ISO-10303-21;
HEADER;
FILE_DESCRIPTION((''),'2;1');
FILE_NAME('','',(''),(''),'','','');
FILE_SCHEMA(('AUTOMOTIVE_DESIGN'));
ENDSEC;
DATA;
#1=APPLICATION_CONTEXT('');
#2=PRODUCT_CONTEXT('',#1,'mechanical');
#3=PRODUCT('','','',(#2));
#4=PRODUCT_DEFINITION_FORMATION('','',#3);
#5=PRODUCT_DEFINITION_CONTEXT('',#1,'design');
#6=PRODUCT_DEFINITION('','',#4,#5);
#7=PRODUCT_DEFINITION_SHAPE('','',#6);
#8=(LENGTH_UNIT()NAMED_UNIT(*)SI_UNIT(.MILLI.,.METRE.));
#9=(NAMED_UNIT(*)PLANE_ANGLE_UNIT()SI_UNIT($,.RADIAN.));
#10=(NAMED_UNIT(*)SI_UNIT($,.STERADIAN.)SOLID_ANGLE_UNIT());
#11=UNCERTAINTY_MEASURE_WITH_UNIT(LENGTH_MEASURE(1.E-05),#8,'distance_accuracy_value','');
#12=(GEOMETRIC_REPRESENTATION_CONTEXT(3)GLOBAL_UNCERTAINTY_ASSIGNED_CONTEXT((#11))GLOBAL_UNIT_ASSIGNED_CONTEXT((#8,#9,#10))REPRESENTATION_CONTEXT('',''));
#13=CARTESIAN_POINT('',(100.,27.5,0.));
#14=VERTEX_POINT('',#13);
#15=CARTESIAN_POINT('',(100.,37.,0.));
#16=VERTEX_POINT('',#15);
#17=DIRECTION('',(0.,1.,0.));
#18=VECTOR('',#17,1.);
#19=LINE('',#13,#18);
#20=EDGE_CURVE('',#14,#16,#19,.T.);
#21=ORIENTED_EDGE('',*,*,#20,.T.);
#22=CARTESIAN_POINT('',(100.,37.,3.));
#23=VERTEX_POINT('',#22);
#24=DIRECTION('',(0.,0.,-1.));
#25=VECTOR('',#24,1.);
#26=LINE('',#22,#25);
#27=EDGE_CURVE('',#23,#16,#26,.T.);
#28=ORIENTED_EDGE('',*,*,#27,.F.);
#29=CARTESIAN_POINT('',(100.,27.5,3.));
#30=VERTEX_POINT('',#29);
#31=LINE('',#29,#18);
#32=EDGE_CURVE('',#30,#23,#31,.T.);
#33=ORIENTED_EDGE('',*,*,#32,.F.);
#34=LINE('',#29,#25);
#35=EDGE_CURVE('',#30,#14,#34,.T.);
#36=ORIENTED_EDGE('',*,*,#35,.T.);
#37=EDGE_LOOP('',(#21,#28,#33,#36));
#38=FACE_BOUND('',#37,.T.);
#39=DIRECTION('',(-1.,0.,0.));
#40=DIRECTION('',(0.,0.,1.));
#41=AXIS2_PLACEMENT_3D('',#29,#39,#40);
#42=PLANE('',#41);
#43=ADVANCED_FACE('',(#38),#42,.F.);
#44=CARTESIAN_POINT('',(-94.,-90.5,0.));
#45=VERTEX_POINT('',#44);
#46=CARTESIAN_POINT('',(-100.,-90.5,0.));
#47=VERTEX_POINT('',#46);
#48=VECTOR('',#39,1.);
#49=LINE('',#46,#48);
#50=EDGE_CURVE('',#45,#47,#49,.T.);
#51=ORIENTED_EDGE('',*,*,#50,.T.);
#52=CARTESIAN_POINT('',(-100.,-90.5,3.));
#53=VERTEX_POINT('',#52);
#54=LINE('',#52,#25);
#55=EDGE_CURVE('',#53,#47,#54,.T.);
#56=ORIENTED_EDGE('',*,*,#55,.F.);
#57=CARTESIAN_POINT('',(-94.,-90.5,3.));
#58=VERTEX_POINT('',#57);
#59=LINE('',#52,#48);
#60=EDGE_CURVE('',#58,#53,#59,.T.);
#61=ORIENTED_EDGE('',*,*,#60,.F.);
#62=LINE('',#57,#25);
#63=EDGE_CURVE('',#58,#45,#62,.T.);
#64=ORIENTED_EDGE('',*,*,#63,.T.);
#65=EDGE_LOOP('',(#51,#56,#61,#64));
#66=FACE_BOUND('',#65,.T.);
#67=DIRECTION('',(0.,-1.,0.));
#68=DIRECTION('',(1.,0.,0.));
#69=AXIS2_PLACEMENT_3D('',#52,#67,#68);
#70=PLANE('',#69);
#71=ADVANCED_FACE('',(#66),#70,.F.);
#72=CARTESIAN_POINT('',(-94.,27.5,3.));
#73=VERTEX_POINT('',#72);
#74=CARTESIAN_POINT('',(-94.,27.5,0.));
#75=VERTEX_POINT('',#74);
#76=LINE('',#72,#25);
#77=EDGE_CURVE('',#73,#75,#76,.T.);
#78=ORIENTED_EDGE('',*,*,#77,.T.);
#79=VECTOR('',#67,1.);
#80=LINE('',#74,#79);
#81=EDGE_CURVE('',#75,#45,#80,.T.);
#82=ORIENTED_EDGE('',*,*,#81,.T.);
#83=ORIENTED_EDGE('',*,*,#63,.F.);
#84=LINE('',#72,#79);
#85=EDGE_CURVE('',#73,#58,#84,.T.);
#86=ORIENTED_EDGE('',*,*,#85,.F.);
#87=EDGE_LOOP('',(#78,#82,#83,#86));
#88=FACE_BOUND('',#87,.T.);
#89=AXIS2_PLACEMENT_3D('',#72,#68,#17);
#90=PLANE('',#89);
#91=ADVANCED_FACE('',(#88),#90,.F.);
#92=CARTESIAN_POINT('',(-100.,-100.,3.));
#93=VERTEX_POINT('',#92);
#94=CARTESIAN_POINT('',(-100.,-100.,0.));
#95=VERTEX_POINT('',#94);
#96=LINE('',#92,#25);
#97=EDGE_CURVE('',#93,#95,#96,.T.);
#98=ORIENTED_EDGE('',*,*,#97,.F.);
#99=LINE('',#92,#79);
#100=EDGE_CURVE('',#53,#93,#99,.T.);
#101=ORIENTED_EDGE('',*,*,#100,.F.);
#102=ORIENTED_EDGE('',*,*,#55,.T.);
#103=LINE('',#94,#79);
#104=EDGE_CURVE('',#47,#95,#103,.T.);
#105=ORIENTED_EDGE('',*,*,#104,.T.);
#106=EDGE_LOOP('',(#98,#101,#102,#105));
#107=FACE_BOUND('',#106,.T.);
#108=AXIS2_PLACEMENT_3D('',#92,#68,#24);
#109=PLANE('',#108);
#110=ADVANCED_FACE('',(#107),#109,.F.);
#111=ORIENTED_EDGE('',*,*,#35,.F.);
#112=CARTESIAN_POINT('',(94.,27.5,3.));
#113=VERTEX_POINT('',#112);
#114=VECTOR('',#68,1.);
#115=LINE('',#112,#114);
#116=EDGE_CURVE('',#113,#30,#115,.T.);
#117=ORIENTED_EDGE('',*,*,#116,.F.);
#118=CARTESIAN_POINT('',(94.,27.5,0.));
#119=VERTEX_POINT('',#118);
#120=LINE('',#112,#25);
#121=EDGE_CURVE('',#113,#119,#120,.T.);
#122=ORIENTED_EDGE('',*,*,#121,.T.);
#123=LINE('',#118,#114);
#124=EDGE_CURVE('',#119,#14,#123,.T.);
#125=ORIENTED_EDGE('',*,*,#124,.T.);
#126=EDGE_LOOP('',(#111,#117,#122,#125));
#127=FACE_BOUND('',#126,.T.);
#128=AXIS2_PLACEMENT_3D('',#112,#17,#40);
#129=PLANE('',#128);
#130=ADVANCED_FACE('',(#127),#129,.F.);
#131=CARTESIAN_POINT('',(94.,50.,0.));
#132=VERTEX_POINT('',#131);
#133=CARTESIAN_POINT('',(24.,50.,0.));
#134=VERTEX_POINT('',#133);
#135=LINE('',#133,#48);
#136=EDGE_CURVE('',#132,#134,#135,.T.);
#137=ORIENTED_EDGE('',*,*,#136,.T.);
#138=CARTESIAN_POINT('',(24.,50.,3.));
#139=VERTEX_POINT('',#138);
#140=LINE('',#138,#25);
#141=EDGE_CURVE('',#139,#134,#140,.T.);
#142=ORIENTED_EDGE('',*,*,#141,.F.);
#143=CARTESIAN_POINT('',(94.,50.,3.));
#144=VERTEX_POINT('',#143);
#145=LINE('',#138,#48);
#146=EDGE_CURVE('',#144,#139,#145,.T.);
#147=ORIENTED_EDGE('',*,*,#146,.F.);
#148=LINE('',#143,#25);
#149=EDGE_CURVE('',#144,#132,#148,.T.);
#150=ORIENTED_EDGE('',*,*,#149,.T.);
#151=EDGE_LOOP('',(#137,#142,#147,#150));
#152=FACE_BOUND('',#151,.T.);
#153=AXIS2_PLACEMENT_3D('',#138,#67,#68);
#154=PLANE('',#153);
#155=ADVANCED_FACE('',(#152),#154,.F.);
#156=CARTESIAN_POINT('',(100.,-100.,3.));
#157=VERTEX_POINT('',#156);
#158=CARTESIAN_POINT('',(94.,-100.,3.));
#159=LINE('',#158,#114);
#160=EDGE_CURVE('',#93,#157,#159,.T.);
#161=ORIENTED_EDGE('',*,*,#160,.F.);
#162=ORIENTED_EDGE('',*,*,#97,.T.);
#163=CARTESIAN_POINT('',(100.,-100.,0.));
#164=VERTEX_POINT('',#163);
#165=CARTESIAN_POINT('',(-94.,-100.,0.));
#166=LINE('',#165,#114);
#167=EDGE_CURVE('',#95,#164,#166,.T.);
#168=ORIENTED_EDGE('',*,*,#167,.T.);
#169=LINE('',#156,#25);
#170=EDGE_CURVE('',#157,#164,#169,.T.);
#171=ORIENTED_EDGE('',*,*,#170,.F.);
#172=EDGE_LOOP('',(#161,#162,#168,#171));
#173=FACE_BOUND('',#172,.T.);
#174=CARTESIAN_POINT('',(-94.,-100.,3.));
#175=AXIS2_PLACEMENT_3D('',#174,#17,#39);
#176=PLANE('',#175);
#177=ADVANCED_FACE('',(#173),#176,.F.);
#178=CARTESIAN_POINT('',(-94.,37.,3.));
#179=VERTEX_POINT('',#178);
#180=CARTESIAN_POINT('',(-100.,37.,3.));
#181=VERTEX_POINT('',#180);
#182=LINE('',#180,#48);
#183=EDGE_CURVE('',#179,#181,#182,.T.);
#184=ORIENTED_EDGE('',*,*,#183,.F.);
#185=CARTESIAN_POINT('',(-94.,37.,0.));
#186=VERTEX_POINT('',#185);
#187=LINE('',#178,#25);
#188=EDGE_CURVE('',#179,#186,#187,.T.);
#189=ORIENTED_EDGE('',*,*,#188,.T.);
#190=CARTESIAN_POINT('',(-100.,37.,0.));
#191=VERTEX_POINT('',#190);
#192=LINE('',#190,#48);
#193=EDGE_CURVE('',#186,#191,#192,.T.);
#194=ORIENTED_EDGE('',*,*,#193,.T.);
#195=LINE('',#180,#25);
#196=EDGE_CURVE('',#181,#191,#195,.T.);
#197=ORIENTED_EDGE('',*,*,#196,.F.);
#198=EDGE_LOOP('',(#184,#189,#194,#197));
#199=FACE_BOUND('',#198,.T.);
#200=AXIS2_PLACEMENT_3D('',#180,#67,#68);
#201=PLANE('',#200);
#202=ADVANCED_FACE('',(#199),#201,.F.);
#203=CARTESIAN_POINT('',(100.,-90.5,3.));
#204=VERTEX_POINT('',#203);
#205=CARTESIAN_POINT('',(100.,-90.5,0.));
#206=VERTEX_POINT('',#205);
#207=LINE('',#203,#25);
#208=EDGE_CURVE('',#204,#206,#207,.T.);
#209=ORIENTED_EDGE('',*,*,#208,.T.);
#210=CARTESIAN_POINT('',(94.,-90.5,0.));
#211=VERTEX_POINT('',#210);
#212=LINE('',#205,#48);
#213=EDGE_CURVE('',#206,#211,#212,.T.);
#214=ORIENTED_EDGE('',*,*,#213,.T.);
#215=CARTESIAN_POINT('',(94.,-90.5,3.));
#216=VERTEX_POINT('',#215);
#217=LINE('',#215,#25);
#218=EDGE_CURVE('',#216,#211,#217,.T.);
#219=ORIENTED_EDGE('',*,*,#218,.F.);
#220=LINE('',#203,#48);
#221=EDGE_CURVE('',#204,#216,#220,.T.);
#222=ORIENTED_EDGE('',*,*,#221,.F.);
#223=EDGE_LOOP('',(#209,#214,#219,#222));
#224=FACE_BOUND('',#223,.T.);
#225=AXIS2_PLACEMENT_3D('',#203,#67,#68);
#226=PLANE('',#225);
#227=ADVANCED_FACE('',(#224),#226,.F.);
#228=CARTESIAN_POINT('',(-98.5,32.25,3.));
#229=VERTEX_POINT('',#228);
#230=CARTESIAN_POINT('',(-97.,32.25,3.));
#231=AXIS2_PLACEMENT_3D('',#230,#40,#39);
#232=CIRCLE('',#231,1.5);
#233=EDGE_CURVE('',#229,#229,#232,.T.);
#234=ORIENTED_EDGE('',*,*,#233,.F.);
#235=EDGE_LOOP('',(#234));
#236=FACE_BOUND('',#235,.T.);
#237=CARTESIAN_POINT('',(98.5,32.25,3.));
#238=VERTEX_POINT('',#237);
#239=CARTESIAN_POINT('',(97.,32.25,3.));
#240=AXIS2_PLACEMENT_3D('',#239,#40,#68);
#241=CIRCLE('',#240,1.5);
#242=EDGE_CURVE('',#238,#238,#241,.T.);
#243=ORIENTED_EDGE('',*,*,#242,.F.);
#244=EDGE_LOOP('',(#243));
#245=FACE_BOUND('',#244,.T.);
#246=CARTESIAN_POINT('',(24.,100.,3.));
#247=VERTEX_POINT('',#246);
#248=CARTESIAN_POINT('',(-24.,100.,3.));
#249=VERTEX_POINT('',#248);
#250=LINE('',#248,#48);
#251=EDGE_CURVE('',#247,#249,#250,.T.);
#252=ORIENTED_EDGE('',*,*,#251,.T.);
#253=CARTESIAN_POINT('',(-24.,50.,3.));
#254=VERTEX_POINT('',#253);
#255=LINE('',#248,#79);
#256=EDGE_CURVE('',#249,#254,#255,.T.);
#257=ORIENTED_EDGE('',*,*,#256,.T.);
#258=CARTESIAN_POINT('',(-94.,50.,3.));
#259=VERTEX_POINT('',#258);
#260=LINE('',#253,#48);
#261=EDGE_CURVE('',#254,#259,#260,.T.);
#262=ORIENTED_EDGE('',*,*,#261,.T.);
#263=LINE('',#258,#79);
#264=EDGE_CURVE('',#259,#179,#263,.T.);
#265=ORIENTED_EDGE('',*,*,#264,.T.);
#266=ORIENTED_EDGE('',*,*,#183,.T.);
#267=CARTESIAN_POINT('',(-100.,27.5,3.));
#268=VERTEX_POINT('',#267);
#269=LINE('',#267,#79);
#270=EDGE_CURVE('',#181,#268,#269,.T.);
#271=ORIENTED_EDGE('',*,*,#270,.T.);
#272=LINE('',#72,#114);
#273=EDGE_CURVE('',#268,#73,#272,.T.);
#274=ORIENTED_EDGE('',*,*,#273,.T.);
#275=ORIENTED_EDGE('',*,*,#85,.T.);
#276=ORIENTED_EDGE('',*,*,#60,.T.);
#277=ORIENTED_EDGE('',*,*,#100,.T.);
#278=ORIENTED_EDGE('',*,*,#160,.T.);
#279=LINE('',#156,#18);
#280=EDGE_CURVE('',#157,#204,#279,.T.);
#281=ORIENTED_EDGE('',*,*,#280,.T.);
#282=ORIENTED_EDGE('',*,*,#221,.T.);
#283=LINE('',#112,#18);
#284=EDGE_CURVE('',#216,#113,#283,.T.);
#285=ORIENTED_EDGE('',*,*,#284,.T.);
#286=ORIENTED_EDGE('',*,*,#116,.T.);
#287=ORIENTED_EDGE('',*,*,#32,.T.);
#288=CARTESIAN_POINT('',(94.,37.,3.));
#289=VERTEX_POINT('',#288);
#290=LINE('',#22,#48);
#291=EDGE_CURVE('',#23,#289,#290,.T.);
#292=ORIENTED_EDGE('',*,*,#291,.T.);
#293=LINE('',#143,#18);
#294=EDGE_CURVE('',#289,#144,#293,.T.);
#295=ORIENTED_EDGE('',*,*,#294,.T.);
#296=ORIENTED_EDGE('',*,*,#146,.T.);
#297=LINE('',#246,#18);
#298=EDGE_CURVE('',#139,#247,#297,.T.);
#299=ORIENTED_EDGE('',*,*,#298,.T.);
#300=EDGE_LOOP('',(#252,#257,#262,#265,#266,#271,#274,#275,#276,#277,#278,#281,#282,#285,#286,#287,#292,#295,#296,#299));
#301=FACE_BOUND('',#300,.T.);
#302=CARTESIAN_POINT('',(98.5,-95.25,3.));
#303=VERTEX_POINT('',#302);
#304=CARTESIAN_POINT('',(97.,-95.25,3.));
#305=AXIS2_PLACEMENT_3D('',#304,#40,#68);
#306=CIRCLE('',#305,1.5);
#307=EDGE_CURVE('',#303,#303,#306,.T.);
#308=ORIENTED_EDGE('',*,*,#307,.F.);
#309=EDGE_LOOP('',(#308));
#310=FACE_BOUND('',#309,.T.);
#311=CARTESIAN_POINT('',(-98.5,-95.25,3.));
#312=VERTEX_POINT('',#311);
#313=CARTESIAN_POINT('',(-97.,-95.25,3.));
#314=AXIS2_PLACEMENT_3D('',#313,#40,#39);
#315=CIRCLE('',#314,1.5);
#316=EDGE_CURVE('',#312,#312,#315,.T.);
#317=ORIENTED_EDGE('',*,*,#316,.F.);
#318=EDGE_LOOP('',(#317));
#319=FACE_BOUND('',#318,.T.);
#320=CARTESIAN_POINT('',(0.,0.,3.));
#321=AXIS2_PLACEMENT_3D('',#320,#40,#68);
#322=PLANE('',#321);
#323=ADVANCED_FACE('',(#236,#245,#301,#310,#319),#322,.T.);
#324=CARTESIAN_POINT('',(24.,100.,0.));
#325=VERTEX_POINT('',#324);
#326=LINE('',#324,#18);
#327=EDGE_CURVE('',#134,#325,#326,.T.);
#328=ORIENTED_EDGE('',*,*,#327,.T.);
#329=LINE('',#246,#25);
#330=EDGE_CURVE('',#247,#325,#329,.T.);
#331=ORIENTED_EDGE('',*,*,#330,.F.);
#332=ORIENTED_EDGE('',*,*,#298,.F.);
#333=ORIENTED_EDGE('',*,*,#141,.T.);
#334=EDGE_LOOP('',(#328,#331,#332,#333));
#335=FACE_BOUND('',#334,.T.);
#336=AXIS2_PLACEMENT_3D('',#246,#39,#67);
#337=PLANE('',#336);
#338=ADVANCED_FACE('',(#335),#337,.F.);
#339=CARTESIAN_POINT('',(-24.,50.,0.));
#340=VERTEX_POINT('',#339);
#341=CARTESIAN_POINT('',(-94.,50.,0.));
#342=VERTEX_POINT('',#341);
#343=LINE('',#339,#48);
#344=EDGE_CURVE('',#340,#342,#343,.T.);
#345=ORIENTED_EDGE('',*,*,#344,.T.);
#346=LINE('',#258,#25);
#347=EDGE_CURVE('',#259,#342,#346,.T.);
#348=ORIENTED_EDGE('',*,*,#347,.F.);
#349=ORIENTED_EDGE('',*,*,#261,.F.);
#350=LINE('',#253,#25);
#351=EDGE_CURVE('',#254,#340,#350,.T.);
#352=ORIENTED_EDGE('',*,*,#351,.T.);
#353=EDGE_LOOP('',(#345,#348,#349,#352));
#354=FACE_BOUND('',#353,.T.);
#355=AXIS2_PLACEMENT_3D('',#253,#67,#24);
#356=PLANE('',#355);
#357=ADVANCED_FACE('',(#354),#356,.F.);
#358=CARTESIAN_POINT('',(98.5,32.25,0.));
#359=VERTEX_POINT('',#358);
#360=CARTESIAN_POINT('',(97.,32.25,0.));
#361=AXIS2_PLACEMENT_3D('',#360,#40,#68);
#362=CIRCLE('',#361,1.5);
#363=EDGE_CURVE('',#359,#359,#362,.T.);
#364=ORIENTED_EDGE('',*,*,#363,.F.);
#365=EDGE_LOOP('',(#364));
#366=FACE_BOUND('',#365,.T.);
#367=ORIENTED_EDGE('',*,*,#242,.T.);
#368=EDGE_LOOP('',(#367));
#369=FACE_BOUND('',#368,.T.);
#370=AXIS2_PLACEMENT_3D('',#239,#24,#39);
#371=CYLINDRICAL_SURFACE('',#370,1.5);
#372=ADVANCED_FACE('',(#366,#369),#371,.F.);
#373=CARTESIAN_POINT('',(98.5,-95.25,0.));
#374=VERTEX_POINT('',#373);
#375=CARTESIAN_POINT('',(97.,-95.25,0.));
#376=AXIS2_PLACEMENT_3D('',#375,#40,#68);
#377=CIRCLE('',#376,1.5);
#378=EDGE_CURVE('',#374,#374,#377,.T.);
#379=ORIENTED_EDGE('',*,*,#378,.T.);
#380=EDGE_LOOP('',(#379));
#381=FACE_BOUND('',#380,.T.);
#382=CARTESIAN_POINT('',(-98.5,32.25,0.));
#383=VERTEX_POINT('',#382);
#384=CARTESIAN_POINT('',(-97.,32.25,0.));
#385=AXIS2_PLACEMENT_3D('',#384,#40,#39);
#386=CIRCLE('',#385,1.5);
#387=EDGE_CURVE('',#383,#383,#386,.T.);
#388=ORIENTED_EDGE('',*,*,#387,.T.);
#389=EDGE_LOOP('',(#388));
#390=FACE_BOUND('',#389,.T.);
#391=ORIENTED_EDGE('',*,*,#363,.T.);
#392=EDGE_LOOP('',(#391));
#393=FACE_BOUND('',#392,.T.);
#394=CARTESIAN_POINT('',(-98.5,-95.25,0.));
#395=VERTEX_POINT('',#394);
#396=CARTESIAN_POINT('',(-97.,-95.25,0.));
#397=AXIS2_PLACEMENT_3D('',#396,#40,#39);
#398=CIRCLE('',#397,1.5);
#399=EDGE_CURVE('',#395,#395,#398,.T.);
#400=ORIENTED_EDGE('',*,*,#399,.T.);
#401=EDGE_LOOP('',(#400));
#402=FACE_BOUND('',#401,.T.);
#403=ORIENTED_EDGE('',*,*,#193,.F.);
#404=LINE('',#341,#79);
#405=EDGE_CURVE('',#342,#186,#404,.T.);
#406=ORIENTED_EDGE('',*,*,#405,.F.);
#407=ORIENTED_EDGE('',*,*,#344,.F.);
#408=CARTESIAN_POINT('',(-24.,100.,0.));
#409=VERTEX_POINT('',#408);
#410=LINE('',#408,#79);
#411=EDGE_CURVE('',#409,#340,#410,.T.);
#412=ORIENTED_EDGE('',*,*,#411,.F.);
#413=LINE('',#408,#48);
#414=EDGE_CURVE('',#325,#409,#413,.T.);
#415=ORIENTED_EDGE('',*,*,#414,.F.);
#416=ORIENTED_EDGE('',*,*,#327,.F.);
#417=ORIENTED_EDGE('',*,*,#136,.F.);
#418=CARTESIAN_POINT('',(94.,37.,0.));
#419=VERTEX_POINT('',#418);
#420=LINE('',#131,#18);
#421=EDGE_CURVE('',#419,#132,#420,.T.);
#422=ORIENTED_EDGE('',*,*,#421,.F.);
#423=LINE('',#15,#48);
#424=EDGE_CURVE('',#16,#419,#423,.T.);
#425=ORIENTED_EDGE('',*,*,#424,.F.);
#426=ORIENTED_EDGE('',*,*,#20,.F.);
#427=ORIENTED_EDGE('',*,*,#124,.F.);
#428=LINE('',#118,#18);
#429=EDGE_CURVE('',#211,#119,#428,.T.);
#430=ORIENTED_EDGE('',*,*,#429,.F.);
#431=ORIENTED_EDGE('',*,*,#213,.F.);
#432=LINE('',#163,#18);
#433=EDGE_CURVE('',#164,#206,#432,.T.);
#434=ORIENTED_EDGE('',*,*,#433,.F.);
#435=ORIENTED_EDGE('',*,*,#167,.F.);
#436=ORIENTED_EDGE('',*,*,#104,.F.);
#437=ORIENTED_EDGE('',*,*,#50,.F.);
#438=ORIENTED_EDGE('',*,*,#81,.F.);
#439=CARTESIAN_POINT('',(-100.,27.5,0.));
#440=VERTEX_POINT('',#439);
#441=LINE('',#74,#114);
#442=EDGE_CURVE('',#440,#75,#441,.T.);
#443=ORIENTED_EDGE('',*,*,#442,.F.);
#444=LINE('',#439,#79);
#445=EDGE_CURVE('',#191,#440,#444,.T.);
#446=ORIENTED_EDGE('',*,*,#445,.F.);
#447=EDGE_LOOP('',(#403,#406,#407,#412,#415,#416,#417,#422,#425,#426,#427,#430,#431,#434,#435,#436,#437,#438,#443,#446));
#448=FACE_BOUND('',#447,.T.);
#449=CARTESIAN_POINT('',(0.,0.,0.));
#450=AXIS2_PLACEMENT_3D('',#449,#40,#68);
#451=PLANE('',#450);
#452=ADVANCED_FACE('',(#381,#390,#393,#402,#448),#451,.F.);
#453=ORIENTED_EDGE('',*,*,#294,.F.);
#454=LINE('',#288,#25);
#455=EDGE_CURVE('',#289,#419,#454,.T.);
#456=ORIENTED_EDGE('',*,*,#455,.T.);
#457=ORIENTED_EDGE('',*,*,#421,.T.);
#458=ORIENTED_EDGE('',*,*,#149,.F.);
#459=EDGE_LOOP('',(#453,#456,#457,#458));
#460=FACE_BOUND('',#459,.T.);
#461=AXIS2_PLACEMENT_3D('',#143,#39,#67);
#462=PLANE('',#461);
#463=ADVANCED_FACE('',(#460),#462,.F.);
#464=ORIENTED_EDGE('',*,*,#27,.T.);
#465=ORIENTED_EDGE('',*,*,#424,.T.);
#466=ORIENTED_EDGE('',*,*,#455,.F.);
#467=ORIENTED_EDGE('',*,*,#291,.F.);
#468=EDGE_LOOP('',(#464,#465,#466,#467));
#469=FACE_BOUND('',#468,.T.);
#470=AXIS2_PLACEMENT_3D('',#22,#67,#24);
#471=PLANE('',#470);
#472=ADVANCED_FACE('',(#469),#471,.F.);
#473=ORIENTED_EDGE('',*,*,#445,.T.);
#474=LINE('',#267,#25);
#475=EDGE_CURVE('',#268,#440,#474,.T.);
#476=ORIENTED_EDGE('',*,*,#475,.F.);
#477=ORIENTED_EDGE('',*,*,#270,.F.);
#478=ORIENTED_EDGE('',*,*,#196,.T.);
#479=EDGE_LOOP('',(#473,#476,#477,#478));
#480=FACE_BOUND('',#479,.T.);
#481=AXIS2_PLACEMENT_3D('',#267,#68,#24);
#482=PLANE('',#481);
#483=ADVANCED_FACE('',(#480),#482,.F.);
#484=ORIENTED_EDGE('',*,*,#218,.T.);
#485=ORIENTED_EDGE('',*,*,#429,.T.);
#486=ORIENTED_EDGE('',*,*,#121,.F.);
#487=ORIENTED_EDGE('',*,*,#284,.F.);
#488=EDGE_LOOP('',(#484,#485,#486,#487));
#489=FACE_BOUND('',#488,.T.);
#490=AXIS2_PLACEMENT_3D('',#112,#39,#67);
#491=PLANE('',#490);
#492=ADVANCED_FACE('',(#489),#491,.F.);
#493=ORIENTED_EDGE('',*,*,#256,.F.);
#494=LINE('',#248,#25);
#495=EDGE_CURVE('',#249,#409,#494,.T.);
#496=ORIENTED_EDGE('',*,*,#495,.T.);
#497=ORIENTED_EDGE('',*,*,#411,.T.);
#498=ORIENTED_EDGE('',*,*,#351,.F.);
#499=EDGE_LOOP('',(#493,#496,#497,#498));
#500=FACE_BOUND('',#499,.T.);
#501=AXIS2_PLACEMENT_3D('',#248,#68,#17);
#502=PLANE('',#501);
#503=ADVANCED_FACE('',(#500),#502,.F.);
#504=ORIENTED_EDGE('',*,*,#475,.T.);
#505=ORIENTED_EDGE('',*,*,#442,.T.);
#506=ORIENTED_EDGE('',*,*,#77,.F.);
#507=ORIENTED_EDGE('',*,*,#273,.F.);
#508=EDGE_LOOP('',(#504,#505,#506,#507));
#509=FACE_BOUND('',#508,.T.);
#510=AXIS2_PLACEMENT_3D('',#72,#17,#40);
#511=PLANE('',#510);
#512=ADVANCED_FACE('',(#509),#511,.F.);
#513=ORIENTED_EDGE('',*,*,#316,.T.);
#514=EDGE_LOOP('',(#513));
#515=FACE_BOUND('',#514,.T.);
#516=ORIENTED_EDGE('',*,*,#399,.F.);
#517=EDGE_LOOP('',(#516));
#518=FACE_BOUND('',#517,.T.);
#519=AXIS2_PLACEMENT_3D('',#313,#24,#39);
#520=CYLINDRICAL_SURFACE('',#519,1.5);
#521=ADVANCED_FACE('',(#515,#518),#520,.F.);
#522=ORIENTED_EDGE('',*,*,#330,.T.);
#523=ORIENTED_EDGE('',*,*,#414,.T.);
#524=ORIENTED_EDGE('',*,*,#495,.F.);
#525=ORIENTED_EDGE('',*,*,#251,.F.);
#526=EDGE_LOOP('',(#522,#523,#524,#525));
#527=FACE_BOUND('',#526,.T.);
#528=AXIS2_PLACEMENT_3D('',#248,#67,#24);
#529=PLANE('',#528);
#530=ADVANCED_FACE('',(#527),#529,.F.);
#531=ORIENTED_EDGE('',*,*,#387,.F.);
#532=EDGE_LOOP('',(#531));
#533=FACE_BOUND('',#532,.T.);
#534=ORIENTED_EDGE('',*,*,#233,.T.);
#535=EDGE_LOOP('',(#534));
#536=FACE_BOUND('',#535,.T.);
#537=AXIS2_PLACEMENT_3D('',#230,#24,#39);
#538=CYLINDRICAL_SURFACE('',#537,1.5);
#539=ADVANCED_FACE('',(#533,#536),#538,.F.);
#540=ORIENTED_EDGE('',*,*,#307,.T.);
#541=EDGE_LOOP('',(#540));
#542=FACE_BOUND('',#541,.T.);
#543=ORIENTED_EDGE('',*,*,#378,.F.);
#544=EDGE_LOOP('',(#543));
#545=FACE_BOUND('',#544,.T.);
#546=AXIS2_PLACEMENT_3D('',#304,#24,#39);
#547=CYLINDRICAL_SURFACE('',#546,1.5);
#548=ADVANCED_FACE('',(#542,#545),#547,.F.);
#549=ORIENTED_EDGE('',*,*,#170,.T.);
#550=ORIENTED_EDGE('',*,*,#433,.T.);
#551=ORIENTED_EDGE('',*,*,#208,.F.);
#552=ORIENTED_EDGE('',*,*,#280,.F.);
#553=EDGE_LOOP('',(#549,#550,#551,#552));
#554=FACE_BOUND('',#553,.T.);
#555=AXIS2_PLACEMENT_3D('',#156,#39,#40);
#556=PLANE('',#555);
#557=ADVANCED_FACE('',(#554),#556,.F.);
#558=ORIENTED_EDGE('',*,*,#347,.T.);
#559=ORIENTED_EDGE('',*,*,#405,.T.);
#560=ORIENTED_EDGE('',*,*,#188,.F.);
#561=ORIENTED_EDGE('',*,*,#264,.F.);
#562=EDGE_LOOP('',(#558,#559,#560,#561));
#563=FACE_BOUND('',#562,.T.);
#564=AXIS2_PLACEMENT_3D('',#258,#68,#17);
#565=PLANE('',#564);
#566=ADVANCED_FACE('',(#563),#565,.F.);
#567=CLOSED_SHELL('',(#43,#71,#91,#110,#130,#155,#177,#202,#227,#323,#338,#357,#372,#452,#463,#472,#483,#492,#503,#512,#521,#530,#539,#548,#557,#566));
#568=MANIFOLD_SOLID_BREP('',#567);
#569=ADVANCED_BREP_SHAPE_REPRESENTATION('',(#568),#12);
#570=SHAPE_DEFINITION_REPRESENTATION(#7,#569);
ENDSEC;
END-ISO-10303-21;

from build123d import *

# Parameters (mm, degrees)
ESBO_O1_R                = 1.5
RESSALTO_EXTRUS_O1_DEPTH = 3


with BuildPart() as part:
    # Esboço1 → Ressalto-extrusão1 (new body)
    with BuildSketch(Plane.XY):
        Polygon((-24, 100), (24, 100), (24, 50), (94, 50), (94, 37), (100, 37), (100, 27.5), (94, 27.5), (94, -90.5), (100, -90.5), (100, -100), (94, -100), (-94, -100), (-100, -100), (-100, -90.5), (-94, -90.5), (-94, 27.5), (-100, 27.5), (-100, 37), (-94, 37), (-94, 50), (-24, 50), align=None)
        with Locations((97, -95.25)):
            Circle(ESBO_O1_R, mode=Mode.SUBTRACT)
        with Locations((97, 32.25)):
            Circle(ESBO_O1_R, mode=Mode.SUBTRACT)
        with Locations((-97, 32.25)):
            Circle(ESBO_O1_R, mode=Mode.SUBTRACT)
        with Locations((-97, -95.25)):
            Circle(ESBO_O1_R, mode=Mode.SUBTRACT)
    extrude(amount=RESSALTO_EXTRUS_O1_DEPTH)


solid = part.part
